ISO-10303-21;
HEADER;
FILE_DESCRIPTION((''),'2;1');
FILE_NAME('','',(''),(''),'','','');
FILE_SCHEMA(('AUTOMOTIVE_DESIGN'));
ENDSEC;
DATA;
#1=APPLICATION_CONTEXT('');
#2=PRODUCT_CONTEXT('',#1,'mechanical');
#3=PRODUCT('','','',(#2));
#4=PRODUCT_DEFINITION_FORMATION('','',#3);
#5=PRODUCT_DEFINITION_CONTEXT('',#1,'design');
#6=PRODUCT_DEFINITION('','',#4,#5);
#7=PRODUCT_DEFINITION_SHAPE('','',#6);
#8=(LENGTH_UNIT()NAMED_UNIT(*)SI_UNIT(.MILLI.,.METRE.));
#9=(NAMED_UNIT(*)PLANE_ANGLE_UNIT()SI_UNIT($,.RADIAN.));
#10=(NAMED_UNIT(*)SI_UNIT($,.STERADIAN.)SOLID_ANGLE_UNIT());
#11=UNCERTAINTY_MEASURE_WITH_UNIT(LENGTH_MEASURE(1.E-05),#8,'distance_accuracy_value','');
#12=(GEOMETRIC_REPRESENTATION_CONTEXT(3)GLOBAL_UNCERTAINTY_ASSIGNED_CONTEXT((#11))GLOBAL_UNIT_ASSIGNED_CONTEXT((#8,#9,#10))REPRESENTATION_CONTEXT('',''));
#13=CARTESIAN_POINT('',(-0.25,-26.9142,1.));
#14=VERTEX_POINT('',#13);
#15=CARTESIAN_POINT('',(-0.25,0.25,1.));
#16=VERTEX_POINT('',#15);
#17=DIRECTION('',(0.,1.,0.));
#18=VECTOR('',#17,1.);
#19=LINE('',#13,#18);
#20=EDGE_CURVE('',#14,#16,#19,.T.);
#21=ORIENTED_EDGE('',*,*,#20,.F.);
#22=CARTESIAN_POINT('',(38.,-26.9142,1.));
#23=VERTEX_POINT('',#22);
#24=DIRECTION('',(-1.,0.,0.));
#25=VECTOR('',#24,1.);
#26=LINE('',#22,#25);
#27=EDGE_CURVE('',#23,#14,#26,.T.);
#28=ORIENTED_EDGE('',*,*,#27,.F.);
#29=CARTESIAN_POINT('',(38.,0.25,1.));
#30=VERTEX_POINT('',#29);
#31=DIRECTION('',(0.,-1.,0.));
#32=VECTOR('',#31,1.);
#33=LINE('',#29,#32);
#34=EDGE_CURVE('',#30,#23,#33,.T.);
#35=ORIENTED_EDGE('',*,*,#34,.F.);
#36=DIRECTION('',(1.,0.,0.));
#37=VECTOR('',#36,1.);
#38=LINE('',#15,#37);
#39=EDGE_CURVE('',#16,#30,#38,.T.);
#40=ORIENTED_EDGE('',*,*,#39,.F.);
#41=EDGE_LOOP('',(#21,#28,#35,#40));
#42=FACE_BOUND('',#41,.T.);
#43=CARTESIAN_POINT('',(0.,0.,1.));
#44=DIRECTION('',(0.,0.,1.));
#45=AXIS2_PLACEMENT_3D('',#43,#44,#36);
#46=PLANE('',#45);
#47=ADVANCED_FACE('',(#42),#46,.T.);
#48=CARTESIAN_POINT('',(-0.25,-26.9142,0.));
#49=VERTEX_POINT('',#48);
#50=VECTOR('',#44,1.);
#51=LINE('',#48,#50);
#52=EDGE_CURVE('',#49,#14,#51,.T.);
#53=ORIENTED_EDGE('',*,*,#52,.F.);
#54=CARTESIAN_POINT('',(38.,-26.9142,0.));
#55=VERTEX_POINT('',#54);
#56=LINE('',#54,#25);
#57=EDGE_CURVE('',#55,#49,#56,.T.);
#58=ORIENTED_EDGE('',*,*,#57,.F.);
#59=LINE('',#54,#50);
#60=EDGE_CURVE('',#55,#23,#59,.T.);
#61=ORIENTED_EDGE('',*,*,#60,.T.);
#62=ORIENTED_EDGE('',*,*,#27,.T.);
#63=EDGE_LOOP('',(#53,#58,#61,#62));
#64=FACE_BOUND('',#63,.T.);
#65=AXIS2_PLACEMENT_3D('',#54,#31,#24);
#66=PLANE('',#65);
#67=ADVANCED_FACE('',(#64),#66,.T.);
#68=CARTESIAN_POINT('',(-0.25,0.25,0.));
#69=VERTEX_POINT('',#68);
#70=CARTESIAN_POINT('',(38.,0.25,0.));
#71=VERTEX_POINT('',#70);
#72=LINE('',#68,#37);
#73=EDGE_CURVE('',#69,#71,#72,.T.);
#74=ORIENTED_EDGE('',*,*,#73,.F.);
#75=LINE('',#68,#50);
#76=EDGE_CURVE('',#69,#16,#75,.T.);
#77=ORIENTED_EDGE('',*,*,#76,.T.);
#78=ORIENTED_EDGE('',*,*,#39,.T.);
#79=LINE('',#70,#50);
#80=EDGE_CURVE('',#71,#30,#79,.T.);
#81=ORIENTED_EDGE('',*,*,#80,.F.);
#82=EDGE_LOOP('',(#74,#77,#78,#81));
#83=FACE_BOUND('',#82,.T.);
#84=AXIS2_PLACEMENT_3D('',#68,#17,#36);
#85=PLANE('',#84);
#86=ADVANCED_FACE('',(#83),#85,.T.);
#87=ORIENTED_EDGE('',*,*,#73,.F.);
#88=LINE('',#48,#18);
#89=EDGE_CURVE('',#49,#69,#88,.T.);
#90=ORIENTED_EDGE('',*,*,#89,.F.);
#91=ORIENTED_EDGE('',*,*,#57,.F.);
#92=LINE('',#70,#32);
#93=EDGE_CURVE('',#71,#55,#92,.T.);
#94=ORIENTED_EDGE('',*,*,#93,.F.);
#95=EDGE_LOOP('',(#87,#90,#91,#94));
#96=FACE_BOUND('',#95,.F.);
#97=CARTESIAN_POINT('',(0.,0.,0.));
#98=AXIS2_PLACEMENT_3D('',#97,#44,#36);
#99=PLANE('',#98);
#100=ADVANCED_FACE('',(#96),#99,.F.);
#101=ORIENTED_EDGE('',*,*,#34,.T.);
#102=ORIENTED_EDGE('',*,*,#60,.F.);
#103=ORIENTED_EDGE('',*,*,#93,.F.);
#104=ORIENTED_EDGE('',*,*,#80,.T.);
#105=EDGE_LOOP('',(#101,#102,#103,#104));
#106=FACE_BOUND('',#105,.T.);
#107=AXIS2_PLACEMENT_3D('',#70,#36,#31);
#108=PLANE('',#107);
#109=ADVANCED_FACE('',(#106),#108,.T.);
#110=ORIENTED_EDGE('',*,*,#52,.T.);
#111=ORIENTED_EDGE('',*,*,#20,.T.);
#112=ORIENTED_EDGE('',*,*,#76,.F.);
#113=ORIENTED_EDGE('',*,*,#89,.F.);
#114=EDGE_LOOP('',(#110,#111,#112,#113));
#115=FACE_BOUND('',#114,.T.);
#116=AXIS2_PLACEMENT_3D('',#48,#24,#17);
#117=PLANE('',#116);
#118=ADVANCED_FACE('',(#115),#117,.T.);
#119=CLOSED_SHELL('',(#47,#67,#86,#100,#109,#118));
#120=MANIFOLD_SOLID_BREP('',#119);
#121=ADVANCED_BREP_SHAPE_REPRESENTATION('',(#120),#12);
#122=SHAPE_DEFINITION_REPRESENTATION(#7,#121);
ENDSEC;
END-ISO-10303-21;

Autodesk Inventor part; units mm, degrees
ref_plane "YZ Plane" through (0, 0, 0) normal (1, 0, 0) x (0, 1, 0)
ref_plane "XZ Plane" through (0, 0, 0) normal (0, 1, 0) x (-1, 0, 0)
ref_plane "XY Plane" through (0, 0, 0) normal (0, 0, 1) x (1, 0, 0)
sketch "RF4463F30, RF4463F30_7" plane through (0, 0, 0) normal (0, 0, 1) x (1, 0, 0)
  line L0 (-0.25, 0.25) -> (38, 0.25)
  line L1 (38, 0.25) -> (38, -26.9142)
  line L2 (38, -26.9142) -> (-0.25, -26.9142)
  line L3 (-0.25, -26.9142) -> (-0.25, 0.25)
extrude "Extrusion1" add sketch "RF4463F30, RF4463F30_7" along normal blind 1
properties part number "RF4463F30"
